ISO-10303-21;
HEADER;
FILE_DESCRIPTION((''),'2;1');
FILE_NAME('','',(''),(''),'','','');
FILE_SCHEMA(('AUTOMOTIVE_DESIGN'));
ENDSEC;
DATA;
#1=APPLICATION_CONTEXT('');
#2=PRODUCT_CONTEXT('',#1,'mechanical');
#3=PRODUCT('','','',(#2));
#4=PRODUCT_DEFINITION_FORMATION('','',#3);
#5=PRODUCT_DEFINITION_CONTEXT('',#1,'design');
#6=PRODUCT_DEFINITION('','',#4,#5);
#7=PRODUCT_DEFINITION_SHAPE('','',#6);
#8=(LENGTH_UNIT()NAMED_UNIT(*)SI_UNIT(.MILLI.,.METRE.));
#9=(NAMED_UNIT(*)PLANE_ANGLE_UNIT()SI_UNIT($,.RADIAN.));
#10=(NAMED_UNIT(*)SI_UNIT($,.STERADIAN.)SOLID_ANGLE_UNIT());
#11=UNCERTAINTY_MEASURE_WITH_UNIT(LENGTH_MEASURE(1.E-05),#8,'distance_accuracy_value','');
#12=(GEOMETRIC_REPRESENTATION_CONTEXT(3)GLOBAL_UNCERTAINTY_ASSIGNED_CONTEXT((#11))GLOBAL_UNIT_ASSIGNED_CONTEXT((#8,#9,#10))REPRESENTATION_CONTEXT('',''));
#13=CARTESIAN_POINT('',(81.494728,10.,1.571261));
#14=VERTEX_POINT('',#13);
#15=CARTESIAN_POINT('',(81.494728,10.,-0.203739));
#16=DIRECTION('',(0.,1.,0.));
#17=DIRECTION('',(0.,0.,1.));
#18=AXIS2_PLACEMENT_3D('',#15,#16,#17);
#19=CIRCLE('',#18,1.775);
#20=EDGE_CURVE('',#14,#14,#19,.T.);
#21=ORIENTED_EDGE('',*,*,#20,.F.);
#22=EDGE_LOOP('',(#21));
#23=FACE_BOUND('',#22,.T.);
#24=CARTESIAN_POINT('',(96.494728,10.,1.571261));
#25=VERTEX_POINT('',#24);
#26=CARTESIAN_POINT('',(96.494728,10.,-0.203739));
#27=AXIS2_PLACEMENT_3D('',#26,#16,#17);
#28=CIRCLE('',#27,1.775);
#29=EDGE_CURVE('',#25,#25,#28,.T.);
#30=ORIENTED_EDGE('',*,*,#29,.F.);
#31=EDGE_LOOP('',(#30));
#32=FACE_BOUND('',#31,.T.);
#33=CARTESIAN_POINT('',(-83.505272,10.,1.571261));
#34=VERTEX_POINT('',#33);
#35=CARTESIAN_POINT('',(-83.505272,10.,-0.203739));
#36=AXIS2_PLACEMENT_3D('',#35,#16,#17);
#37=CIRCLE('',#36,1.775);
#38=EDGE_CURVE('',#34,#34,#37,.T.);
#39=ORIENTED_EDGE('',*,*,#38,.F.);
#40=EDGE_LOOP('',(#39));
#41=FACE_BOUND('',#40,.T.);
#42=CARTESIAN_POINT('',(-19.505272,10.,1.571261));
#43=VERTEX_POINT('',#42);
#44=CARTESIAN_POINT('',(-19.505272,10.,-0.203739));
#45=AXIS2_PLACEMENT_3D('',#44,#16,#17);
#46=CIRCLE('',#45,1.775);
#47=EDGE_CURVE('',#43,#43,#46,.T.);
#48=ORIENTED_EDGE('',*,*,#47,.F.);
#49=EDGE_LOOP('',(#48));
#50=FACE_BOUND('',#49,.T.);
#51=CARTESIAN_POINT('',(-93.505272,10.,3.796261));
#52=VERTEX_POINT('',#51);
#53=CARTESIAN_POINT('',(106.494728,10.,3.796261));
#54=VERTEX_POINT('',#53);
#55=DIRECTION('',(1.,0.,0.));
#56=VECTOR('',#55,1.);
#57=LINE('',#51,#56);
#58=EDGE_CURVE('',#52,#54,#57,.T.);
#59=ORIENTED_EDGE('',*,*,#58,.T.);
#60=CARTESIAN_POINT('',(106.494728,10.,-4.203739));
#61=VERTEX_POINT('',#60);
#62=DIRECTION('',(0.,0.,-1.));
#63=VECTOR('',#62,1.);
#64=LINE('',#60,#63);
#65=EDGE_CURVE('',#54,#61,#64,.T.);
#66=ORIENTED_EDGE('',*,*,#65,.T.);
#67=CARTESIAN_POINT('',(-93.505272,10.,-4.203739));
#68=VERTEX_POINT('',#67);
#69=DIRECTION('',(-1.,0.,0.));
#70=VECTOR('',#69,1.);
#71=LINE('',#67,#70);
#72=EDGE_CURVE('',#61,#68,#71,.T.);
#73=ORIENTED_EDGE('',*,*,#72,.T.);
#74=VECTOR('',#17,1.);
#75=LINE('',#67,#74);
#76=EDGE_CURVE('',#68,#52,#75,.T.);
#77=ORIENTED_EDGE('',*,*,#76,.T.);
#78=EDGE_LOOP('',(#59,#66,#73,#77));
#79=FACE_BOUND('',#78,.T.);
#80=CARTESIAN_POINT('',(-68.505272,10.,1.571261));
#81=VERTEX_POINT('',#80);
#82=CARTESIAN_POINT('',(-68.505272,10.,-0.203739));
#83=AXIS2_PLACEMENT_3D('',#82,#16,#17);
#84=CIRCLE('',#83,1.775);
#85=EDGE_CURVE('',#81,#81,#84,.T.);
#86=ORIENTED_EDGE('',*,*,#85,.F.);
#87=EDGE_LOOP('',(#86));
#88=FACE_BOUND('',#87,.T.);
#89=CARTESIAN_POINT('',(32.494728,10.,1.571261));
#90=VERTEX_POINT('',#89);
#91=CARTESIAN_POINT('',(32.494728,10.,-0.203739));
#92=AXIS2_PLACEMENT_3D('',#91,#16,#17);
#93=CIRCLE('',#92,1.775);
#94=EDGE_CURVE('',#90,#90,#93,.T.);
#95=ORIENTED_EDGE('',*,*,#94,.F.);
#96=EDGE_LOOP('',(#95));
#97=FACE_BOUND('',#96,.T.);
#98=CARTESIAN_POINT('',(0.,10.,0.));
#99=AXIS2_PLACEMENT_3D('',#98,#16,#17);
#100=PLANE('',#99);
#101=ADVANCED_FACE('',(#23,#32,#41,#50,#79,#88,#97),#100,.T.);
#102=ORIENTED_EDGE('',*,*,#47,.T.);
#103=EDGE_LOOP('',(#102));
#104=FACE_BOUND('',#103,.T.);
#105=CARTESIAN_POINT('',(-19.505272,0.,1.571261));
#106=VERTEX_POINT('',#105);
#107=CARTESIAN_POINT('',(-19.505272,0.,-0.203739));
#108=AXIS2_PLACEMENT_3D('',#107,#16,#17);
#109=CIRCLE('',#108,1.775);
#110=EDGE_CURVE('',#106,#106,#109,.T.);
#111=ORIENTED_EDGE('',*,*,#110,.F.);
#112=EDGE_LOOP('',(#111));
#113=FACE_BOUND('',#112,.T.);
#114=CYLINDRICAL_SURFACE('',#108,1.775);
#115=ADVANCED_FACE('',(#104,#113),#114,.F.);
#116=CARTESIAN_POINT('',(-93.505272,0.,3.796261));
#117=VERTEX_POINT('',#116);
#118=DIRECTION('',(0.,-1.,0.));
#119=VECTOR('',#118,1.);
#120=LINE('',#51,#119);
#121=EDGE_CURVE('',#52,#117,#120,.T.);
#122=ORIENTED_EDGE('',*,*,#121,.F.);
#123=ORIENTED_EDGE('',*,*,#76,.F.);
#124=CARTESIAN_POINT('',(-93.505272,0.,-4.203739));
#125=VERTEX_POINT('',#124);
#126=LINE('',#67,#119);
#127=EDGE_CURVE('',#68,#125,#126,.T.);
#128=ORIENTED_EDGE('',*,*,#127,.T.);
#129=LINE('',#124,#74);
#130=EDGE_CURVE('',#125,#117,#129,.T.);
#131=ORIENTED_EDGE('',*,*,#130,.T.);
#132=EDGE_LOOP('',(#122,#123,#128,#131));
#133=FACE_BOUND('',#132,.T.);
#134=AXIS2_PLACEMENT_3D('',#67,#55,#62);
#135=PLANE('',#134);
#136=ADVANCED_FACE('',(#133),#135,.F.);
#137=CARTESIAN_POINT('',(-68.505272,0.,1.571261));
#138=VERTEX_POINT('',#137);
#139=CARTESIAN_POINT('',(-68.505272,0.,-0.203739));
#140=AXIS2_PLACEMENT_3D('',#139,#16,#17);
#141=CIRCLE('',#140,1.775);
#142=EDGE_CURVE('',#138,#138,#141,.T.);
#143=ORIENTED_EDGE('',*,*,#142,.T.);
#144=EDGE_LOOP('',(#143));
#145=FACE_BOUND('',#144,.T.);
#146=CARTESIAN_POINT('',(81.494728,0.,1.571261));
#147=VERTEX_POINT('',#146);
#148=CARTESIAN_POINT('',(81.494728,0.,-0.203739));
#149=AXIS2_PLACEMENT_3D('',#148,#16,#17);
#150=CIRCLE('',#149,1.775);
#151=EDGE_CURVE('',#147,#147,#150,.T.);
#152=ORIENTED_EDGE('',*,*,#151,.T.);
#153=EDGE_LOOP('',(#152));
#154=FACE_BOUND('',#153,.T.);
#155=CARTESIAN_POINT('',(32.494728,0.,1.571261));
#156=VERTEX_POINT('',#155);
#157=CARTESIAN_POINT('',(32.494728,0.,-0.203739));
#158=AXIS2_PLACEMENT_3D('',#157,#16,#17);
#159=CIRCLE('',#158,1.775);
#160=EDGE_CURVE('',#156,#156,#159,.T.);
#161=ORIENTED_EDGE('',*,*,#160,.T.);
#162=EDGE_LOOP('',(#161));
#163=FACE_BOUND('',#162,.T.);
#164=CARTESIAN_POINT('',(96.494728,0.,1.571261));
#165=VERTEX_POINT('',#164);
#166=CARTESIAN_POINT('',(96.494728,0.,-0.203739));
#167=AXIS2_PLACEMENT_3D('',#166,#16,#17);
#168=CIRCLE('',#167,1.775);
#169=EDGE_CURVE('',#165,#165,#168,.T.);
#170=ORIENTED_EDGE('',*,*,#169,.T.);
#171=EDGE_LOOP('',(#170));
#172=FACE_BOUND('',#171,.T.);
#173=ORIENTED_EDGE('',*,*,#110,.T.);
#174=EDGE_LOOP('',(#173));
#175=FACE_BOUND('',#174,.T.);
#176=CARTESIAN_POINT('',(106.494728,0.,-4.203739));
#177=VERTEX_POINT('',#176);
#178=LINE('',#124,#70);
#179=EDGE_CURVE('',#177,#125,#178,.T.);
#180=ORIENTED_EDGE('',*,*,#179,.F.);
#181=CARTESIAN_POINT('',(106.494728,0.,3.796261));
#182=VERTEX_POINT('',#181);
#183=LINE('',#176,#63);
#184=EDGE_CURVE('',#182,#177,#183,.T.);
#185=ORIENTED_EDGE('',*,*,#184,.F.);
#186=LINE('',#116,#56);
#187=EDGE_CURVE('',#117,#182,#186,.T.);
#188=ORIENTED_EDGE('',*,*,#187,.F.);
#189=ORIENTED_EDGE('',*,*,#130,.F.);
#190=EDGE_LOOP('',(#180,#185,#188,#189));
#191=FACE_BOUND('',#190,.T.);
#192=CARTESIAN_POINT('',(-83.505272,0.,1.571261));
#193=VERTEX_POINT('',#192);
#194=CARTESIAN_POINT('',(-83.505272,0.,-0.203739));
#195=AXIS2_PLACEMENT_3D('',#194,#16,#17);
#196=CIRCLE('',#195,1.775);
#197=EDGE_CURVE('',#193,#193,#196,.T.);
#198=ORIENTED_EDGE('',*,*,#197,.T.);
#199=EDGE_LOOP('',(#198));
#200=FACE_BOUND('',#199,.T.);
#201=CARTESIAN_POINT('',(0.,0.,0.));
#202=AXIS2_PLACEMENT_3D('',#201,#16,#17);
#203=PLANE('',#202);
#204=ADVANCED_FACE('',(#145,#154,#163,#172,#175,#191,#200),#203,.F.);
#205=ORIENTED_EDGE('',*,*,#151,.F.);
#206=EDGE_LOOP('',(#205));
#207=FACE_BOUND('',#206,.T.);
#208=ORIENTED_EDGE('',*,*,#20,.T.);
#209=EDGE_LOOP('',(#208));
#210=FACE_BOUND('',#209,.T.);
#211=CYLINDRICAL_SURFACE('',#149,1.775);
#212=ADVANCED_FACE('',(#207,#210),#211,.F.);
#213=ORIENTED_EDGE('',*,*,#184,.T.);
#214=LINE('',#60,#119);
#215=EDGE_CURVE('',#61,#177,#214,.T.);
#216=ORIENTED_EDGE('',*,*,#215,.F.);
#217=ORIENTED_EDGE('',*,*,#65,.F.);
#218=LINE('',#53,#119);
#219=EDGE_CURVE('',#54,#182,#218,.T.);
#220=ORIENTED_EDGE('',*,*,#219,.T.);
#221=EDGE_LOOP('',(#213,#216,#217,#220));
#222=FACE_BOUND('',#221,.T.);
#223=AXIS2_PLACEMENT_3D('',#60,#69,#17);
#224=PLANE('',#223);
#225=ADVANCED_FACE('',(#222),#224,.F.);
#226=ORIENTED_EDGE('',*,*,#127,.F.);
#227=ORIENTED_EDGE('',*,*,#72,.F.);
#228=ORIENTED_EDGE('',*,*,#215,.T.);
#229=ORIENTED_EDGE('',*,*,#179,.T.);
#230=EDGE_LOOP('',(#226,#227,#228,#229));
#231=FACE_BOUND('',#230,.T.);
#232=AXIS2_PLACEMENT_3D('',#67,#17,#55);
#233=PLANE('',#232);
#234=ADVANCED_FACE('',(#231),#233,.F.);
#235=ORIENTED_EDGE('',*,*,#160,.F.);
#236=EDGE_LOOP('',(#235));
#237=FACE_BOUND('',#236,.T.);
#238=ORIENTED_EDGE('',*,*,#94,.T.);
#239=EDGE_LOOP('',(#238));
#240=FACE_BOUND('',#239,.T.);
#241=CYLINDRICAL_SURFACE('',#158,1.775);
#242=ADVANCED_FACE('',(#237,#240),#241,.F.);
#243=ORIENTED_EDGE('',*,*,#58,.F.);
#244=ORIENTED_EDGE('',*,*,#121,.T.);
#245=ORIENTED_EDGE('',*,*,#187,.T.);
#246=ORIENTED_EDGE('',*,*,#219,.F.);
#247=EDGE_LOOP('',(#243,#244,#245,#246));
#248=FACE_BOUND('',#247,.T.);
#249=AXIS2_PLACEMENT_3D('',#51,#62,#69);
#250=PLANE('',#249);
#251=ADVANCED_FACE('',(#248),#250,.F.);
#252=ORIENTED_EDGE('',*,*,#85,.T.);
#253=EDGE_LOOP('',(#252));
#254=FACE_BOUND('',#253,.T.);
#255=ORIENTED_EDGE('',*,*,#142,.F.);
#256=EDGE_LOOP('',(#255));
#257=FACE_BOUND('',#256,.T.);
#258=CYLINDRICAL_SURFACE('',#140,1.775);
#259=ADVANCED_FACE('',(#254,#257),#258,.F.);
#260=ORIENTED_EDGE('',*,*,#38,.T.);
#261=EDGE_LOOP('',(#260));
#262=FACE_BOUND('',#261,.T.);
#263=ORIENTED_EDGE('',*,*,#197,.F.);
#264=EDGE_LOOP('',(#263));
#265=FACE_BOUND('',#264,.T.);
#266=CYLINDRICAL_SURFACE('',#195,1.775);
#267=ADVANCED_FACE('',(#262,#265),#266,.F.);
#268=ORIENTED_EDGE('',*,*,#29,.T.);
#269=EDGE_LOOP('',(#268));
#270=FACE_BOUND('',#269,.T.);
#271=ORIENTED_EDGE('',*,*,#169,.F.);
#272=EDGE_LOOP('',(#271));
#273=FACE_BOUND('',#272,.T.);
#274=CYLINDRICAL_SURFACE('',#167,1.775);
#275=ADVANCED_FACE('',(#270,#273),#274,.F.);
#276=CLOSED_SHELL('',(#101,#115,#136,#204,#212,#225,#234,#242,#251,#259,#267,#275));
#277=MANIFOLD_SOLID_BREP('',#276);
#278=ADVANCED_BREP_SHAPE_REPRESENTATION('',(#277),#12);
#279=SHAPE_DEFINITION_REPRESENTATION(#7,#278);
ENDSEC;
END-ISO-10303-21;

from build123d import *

# Parameters (mm, degrees)
SKETCH1_W           = 200
SKETCH1_H           = 8
BOSS_EXTRUDE1_DEPTH = 10
SKETCH2_R           = 1.775
CUT_EXTRUDE1_DEPTH  = 108.045777637
SKETCH3_R           = 1.775
CUT_EXTRUDE2_DEPTH  = 108.045777637


with BuildPart() as part:
    # Sketch1 → Boss-Extrude1 (new body)
    with BuildSketch(Plane(origin=(0, 0, 0), x_dir=(1, 0, 0), z_dir=(0, 1, 0))):
        with Locations((6.494727973, 0.203739262)):
            Rectangle(SKETCH1_W, SKETCH1_H)
    extrude(amount=BOSS_EXTRUDE1_DEPTH)

    # Sketch2 → Cut-Extrude1 (cut, through all)
    with BuildSketch(Plane(origin=(0, 10, 0), x_dir=(1, 0, 0), z_dir=(0, 1, 0))):
        with Locations(Location((-19.505272027, 0.203739262, 0), (0, 0, 270))):
            Circle(SKETCH2_R)
        with Locations(Location((32.494727973, 0.203739262, 0), (0, 0, 270))):
            Circle(SKETCH2_R)
    extrude(amount=-CUT_EXTRUDE1_DEPTH, mode=Mode.SUBTRACT)

    # Sketch3 → Cut-Extrude2 (cut, through all)
    with BuildSketch(Plane(origin=(0, 10, 0), x_dir=(1, 0, 0), z_dir=(0, 1, 0))):
        with Locations(Location((-83.505272027, 0.203739262, 0), (0, 0, 270))):
            Circle(SKETCH3_R)
        with Locations(Location((-68.505272027, 0.203739262, 0), (0, 0, 270))):
            Circle(SKETCH3_R)
        with Locations(Location((81.494727973, 0.203739262, 0), (0, 0, 270))):
            Circle(SKETCH3_R)
        with Locations(Location((96.494727973, 0.203739262, 0), (0, 0, 270))):
            Circle(SKETCH3_R)
    extrude(amount=-CUT_EXTRUDE2_DEPTH, mode=Mode.SUBTRACT)


solid = part.part
